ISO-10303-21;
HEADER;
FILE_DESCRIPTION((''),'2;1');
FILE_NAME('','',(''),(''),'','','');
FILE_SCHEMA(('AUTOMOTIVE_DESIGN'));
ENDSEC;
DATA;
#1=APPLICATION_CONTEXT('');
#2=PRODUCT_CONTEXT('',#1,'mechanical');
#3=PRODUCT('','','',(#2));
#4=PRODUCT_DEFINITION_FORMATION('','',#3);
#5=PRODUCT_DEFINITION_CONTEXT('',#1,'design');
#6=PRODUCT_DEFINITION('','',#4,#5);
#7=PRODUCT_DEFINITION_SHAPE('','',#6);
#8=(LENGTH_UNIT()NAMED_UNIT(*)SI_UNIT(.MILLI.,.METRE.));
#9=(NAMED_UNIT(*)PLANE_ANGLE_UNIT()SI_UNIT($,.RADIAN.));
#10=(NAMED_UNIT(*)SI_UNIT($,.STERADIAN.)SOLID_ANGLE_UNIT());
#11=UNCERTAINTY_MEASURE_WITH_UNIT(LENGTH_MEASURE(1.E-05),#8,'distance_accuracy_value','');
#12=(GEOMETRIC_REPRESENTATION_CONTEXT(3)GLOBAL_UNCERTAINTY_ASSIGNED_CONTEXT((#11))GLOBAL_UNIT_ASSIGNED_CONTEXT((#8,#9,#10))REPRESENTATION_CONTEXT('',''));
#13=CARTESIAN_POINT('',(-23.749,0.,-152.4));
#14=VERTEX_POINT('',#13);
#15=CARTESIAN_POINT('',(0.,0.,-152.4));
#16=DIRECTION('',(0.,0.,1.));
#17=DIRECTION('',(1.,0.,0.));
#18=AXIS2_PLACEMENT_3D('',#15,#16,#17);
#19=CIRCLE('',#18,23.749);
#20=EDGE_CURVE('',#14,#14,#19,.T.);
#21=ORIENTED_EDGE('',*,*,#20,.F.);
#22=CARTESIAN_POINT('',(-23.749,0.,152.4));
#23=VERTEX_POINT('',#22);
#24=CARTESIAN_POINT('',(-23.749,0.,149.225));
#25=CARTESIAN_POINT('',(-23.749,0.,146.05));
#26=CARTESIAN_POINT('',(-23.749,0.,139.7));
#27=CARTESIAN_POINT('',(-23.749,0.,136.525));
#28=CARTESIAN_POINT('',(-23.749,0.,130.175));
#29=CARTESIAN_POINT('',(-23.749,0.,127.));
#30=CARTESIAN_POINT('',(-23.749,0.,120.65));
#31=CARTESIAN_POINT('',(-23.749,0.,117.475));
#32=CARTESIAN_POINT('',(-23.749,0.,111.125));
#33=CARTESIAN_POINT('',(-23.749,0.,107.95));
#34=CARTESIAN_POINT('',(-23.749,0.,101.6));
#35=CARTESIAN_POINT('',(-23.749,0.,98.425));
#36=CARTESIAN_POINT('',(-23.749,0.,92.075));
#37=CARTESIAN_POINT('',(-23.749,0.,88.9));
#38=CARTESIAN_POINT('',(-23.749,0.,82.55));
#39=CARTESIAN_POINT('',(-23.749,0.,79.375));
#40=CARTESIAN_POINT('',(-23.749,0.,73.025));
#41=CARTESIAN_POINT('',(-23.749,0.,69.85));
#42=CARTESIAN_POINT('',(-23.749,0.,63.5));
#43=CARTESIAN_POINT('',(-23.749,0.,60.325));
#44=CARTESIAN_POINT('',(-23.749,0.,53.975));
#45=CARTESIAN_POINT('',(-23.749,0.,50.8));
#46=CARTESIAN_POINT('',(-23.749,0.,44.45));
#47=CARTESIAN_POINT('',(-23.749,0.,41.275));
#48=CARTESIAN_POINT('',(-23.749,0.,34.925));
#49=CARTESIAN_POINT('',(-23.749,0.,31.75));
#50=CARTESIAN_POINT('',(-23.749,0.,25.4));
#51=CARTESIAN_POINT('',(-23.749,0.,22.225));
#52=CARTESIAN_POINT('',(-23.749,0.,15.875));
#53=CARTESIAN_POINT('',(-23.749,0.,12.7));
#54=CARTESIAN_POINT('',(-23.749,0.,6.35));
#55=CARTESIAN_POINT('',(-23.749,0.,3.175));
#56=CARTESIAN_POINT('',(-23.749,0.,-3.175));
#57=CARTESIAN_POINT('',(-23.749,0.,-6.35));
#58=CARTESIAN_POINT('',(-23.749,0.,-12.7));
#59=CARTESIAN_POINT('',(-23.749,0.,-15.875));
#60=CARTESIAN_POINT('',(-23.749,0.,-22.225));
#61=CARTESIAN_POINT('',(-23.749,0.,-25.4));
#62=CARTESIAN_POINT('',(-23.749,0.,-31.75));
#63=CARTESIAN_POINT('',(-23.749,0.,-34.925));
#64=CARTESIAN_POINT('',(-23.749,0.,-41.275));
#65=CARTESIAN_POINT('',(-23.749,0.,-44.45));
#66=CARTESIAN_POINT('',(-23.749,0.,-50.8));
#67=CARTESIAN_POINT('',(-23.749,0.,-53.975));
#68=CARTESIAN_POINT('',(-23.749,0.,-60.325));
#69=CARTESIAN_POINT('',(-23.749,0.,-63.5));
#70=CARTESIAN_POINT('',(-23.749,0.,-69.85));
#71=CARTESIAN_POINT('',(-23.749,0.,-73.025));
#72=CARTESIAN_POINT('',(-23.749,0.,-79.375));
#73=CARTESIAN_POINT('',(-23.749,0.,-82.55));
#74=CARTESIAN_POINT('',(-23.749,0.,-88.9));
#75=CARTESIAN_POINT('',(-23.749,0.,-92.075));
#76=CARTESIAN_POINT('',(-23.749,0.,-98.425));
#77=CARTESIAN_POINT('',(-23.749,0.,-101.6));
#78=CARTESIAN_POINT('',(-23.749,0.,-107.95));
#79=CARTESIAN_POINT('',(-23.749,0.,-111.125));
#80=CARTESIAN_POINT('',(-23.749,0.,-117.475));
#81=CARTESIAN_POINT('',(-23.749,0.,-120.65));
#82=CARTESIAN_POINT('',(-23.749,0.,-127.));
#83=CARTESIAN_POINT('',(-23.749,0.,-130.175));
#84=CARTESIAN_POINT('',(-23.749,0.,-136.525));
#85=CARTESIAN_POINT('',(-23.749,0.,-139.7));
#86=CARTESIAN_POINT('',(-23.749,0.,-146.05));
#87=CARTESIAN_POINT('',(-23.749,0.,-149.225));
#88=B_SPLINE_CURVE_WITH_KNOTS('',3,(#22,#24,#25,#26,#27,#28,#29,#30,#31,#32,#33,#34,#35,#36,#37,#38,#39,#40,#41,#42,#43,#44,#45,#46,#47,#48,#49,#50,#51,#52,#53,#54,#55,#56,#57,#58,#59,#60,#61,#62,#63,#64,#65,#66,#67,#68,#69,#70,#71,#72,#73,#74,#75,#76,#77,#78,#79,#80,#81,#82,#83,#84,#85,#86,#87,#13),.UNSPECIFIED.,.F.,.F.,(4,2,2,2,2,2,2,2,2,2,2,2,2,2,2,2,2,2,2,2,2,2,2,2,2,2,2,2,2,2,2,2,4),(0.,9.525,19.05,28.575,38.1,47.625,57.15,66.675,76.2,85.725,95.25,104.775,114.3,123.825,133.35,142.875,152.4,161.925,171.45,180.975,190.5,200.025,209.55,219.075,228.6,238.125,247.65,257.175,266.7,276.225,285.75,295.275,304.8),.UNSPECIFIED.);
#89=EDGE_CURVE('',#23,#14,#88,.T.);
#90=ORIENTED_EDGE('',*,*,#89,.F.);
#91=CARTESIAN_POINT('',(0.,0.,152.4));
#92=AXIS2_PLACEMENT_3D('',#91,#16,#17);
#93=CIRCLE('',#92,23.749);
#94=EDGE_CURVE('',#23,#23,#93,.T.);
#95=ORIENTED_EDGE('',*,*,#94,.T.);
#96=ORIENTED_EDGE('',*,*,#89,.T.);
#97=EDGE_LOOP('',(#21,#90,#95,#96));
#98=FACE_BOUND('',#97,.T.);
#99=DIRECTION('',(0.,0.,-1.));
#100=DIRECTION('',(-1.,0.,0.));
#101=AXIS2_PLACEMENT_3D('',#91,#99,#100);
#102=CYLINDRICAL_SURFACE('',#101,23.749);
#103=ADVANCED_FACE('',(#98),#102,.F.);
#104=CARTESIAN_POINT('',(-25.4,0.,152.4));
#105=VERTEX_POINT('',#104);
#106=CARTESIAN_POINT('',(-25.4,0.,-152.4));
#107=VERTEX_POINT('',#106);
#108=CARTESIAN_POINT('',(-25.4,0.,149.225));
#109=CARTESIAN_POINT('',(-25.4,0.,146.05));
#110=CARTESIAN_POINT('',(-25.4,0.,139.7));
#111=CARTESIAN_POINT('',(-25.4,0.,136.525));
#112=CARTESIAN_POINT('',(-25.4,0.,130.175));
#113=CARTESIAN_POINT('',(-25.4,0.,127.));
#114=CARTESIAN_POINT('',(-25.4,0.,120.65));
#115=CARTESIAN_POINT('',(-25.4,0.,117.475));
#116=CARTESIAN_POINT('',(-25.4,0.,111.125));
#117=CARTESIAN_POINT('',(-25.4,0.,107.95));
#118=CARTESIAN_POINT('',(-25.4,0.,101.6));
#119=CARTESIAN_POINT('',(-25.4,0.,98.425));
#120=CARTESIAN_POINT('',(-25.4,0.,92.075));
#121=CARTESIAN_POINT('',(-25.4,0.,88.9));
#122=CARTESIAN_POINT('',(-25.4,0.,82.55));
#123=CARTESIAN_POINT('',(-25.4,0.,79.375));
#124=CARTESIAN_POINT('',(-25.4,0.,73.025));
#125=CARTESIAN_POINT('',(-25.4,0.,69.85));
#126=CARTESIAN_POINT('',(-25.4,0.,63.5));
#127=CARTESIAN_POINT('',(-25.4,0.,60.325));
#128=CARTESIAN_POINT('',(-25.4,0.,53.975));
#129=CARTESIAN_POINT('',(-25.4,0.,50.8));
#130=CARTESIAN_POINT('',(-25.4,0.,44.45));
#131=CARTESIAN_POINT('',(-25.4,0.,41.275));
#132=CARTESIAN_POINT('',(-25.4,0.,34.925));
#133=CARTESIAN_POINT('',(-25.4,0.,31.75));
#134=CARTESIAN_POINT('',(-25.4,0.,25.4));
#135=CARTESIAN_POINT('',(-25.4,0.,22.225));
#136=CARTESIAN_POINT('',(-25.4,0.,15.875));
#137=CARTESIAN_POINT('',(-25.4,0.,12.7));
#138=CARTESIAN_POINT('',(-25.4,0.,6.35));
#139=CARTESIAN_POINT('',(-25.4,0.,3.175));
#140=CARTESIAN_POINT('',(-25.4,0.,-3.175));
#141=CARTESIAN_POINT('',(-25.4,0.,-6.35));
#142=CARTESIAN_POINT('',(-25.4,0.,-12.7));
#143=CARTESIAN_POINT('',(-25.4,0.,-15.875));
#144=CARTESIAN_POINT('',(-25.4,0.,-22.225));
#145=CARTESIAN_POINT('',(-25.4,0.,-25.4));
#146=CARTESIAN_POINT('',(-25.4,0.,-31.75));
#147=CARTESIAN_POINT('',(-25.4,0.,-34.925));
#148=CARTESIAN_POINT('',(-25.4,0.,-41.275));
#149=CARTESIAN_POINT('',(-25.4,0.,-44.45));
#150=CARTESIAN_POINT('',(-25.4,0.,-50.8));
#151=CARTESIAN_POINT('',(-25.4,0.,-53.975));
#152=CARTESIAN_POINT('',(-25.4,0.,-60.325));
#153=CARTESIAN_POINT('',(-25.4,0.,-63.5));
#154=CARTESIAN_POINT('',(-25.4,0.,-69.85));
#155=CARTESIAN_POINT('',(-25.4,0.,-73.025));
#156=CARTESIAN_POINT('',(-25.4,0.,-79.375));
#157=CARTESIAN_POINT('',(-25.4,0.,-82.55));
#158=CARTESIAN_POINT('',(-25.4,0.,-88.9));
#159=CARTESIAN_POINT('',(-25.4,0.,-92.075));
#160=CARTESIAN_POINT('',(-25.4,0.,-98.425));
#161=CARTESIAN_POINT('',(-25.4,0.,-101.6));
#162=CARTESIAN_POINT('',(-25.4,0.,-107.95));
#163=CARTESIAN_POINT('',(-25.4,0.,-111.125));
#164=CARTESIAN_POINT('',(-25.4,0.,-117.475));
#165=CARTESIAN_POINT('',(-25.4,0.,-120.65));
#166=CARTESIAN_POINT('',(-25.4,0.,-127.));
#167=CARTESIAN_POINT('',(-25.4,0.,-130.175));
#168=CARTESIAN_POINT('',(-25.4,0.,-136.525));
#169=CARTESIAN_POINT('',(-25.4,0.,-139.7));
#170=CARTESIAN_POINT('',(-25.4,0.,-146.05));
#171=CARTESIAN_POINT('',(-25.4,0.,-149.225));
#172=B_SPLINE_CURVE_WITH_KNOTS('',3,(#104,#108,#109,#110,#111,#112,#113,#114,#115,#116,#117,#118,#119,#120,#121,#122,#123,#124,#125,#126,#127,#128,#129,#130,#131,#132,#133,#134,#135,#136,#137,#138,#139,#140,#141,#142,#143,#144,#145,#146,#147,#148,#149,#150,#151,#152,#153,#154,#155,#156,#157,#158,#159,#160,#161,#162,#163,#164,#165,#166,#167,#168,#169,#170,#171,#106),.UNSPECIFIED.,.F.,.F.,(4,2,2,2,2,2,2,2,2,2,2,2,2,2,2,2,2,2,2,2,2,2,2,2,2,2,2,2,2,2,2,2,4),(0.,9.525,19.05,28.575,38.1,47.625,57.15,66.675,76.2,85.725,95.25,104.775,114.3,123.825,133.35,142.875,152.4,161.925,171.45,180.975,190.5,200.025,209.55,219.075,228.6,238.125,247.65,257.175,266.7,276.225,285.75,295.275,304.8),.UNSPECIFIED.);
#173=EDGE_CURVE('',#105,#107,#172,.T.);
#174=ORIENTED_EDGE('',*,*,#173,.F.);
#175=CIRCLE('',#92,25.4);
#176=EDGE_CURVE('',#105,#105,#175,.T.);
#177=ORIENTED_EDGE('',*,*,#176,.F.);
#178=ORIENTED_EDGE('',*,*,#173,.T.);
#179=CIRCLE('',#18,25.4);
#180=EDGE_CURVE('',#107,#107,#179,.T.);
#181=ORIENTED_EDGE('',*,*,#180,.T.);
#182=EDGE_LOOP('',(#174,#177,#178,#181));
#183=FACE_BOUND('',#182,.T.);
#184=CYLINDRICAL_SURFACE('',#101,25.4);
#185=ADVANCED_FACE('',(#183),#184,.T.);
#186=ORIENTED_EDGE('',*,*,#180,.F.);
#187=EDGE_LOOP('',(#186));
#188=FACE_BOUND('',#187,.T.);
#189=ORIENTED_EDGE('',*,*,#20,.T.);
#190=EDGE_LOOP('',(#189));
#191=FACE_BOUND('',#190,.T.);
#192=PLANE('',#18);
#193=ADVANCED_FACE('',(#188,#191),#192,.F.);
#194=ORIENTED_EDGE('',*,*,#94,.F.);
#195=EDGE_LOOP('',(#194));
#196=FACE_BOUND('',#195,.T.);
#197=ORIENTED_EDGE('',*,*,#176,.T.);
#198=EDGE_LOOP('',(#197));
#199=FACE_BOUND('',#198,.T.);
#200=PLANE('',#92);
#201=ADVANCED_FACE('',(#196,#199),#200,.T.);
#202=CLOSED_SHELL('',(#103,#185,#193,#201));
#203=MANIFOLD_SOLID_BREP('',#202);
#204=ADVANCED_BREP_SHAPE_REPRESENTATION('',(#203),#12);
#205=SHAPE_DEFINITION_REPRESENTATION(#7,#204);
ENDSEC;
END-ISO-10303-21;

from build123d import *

# Parameters (mm, degrees)
SKETCH3_R           = 25.4
SKETCH3_R_2         = 23.749
BOSS_EXTRUDE1_DEPTH = 152.4


with BuildPart() as part:
    # Sketch3 → Boss-Extrude1 (new, symmetric)
    with BuildSketch(Plane.XY):
        with Locations(Location((0, 0, 0), (0, 0, 180))):
            Circle(SKETCH3_R)
        with Locations(Location((0, 0, 0), (0, 0, 180))):
            Circle(SKETCH3_R_2, mode=Mode.SUBTRACT)
    extrude(amount=BOSS_EXTRUDE1_DEPTH, both=True)


solid = part.part
